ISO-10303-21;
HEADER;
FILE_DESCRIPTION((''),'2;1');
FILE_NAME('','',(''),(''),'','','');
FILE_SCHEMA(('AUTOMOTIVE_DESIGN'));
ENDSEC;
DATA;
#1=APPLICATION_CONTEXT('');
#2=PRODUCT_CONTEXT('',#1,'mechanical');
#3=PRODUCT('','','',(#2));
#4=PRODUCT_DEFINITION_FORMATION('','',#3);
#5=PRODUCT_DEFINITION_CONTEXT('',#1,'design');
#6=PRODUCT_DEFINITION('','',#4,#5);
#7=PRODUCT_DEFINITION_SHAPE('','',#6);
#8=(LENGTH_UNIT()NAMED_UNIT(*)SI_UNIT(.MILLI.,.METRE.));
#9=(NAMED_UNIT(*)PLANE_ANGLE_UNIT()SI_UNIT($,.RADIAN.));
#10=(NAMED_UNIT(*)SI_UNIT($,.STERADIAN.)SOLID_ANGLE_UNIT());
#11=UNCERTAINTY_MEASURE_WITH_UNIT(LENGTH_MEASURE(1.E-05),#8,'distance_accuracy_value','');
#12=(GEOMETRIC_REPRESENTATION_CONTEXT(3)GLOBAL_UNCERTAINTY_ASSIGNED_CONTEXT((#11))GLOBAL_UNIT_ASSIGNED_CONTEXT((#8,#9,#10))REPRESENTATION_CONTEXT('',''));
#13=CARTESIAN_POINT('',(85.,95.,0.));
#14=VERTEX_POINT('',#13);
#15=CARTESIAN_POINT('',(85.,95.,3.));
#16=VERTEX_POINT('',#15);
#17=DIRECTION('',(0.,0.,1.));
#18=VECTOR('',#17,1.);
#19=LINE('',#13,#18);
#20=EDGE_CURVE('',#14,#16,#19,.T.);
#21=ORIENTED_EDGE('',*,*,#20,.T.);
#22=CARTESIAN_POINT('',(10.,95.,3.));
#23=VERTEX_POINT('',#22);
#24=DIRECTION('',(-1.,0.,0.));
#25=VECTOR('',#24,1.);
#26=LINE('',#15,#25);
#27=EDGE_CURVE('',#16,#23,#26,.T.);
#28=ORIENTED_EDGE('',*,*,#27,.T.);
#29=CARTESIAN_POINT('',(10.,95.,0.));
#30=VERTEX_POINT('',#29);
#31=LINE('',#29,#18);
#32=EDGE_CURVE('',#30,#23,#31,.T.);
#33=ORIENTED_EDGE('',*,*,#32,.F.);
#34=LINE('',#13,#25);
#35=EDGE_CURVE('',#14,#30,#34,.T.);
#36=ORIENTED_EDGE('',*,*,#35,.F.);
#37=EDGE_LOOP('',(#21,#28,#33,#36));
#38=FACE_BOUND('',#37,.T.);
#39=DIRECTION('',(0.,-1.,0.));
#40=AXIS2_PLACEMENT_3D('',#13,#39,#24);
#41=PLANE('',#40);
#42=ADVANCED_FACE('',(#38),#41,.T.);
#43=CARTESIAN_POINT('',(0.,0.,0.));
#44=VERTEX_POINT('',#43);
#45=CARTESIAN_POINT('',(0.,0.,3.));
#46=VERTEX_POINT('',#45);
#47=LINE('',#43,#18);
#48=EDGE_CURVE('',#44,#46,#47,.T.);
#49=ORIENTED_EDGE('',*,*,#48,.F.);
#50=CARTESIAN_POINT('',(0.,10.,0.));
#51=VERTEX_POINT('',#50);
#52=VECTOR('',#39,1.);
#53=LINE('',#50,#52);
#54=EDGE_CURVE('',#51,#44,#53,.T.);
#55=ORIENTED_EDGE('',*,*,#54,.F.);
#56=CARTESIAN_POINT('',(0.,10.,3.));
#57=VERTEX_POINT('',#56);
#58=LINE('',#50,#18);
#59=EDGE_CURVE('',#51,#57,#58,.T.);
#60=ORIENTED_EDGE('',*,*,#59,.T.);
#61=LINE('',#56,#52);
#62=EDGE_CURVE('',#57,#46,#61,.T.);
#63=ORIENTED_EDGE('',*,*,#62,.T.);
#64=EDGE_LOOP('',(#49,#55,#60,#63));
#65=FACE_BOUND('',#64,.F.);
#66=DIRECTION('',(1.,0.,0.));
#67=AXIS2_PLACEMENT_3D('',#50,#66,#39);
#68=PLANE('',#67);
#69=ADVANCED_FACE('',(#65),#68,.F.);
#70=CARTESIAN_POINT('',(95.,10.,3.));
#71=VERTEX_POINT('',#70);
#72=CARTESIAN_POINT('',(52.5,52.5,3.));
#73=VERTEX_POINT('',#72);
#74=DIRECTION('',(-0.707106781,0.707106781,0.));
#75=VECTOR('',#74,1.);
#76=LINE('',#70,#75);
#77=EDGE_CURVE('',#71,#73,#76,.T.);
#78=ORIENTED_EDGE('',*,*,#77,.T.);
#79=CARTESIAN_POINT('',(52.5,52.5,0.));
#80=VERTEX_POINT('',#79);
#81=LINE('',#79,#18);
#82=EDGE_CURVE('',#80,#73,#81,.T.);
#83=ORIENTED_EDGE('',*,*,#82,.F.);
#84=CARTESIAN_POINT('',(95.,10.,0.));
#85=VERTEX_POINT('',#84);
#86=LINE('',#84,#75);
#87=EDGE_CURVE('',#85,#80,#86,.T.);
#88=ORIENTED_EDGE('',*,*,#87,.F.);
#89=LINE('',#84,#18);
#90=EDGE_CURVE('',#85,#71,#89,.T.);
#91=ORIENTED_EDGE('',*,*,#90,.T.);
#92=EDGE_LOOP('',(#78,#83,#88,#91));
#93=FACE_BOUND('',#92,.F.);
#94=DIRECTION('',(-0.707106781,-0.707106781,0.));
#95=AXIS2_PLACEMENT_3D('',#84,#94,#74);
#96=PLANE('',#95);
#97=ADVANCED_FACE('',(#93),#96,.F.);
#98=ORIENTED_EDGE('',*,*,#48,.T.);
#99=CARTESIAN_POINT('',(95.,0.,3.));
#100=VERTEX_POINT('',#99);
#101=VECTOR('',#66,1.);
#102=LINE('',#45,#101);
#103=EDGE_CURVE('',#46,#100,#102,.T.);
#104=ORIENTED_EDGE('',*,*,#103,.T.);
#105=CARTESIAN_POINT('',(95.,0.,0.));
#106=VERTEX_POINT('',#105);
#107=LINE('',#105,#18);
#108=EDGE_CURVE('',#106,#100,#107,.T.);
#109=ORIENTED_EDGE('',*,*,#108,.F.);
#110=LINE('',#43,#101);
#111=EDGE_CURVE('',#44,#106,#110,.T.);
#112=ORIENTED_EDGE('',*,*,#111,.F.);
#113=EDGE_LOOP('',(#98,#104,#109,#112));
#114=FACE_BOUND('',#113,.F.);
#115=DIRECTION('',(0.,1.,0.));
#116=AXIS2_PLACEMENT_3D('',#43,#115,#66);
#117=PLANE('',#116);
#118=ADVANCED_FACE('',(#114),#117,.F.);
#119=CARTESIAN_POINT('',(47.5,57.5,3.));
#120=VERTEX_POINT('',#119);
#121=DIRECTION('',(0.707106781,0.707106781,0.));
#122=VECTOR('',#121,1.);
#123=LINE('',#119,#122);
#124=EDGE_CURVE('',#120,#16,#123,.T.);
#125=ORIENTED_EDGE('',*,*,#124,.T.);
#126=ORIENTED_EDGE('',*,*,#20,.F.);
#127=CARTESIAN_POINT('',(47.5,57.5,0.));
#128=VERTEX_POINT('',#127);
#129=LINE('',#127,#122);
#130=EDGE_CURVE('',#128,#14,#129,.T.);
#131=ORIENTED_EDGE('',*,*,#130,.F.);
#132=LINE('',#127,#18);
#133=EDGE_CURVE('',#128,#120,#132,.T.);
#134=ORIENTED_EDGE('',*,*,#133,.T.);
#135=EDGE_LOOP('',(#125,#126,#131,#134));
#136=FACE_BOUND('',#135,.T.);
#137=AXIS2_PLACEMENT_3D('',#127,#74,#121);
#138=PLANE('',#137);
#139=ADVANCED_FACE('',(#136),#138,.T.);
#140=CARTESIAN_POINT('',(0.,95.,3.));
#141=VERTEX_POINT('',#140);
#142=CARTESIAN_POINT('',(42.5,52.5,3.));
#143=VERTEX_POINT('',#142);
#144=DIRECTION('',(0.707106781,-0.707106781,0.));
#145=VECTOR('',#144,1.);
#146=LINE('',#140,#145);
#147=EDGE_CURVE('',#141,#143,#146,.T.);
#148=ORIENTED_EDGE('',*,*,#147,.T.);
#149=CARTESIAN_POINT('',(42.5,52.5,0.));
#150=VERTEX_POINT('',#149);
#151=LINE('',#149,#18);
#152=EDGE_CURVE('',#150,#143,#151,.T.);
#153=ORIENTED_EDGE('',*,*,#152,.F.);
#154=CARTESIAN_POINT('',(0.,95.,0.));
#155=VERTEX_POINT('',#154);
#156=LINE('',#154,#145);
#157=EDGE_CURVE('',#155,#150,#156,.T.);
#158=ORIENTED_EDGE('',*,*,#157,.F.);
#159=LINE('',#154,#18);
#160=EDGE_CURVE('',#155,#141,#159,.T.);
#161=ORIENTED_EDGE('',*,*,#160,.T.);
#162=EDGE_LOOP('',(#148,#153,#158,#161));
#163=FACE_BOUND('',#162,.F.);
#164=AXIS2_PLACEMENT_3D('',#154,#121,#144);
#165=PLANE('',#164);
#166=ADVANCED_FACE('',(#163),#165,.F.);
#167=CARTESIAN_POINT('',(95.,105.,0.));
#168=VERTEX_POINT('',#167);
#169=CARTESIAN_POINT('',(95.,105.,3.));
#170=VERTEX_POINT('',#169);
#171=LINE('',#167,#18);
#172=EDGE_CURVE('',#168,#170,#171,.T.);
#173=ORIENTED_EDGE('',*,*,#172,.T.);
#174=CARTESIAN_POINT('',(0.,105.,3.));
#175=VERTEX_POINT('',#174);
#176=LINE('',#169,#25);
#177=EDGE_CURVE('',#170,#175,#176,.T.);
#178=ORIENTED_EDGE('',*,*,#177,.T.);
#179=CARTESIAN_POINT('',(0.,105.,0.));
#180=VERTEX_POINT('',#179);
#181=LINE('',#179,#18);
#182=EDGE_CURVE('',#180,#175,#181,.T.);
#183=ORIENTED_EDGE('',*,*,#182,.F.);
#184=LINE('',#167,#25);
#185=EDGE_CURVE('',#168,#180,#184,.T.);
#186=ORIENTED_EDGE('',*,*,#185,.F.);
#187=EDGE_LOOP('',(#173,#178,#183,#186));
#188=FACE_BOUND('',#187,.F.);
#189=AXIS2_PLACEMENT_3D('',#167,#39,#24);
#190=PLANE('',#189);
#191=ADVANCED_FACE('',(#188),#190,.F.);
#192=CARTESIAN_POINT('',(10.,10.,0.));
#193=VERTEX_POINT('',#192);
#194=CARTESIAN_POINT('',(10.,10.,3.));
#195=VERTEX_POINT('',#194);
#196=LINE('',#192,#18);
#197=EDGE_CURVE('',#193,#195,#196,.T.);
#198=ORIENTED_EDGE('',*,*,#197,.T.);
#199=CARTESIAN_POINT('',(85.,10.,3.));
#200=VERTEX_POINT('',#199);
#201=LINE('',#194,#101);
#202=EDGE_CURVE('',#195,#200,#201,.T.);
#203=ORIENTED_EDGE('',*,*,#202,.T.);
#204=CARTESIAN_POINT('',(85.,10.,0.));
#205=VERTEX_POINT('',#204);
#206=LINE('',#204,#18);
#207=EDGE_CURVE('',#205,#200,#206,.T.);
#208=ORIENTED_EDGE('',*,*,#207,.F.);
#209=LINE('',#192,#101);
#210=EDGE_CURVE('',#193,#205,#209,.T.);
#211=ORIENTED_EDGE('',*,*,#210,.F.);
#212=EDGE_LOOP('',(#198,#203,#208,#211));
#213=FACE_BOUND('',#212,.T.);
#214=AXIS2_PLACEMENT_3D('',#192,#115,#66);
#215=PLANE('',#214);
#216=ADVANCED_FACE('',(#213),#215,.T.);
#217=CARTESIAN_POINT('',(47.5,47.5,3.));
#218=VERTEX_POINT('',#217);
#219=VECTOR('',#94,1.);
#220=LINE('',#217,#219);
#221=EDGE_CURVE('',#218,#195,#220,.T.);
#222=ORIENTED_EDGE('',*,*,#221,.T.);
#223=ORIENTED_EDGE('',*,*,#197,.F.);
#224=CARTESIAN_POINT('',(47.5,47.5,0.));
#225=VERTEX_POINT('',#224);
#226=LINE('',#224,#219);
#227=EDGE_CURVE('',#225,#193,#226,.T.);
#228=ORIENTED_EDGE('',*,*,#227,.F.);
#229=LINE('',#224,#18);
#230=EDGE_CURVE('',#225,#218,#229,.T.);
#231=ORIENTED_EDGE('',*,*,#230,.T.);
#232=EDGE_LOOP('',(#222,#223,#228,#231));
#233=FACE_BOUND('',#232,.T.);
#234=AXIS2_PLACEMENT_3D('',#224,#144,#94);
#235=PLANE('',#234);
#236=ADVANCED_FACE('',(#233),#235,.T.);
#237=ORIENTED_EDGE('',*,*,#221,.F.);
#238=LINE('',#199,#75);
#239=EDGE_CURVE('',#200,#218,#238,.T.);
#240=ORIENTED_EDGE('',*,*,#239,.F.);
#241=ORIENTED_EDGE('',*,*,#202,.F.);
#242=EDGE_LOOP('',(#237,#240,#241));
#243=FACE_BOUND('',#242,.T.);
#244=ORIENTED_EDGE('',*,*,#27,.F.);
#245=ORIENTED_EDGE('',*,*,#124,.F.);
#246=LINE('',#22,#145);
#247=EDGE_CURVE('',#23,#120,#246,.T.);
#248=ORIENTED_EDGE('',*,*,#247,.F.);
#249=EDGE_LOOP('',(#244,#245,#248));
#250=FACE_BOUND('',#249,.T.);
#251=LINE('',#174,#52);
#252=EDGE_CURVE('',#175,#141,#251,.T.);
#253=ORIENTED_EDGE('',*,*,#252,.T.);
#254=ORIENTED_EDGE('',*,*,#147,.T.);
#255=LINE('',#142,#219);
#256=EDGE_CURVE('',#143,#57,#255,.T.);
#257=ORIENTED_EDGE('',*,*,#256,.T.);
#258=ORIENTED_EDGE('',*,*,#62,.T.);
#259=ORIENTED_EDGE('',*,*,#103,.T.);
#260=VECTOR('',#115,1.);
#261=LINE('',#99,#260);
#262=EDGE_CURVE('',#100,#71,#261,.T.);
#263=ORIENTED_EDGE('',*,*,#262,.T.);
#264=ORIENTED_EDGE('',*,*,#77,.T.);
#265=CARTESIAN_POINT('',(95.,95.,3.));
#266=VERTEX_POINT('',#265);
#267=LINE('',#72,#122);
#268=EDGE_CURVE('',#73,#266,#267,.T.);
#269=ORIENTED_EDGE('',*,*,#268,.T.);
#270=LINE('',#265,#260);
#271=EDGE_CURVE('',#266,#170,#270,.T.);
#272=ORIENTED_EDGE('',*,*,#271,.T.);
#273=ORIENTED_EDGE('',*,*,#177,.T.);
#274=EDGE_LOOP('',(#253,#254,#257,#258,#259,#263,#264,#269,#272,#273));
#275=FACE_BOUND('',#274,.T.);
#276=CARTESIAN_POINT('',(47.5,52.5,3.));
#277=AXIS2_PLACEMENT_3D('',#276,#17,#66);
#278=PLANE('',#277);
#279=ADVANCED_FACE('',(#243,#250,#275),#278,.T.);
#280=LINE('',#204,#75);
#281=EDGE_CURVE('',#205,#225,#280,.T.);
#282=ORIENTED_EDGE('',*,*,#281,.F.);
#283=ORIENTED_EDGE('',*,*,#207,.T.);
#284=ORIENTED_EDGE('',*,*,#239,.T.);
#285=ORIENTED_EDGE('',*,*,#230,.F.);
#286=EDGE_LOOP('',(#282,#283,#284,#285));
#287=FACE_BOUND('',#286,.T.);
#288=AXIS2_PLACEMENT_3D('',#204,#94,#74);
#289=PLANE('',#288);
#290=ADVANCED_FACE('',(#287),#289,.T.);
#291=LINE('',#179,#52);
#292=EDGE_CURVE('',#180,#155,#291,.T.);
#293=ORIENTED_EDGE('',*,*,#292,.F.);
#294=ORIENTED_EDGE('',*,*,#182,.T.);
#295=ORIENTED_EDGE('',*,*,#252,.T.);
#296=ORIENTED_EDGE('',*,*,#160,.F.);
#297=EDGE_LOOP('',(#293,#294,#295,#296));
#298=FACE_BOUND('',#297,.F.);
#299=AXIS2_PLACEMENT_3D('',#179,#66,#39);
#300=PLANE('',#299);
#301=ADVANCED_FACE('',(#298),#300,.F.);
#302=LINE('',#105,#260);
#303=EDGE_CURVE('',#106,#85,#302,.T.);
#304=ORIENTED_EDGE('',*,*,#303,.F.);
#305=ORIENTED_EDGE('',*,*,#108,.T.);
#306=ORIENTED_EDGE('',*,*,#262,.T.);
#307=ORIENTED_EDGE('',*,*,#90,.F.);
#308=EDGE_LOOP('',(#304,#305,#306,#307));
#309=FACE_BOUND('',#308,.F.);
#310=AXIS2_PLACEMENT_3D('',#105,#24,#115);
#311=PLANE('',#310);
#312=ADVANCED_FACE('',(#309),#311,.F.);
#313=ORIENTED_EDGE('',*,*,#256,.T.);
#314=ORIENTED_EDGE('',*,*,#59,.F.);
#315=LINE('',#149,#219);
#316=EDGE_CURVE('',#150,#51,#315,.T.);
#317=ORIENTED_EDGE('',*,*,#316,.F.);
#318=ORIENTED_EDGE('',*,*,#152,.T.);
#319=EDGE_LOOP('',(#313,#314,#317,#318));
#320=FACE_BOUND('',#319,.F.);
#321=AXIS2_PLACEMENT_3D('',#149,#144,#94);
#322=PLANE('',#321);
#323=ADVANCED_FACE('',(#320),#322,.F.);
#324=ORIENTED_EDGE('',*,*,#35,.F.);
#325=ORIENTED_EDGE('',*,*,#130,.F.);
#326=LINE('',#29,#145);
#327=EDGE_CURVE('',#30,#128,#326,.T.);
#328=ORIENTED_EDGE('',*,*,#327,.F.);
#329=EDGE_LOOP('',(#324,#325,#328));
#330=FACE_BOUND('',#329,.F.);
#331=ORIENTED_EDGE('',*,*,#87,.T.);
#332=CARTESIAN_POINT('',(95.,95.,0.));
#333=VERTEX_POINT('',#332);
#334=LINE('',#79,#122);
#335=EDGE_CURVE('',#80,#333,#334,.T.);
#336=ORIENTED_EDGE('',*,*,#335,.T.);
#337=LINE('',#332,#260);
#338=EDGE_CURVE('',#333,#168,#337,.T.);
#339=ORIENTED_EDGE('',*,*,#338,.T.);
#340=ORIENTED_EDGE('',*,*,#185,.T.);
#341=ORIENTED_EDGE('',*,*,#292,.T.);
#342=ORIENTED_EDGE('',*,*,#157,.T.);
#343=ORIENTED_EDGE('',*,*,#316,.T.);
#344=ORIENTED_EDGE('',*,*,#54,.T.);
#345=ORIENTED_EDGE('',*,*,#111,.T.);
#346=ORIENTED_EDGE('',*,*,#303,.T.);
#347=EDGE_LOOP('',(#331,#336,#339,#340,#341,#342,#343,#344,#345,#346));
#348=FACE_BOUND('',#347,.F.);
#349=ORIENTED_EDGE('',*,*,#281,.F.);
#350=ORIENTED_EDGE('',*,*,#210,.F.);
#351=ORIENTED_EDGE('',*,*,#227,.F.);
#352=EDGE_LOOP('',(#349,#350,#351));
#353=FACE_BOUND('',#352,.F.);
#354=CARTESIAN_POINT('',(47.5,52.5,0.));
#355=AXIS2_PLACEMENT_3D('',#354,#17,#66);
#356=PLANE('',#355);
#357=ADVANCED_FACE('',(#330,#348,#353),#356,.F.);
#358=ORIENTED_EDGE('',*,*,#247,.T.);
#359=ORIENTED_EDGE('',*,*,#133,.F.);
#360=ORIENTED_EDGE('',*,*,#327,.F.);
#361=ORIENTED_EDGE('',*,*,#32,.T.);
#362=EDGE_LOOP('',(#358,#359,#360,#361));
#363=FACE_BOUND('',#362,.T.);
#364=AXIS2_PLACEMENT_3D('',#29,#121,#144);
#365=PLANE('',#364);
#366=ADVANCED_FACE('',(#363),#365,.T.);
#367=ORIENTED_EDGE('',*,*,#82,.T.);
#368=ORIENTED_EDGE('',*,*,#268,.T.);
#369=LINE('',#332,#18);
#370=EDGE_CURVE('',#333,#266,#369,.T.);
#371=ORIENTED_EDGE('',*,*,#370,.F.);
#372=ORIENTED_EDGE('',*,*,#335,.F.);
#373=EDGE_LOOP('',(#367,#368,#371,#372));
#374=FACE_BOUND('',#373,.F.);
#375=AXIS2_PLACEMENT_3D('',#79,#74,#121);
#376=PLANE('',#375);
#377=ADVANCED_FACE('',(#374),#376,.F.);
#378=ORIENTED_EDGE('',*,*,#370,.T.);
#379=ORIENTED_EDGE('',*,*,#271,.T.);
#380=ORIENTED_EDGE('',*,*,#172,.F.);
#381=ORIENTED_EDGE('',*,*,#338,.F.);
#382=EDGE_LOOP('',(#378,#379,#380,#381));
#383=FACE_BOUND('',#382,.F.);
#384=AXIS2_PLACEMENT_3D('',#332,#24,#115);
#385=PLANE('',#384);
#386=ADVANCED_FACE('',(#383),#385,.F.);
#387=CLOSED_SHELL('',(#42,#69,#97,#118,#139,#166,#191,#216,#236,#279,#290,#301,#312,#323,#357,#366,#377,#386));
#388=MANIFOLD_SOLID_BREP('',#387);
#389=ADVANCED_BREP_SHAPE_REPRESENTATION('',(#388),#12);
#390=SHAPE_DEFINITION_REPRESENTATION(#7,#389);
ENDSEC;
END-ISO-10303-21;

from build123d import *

# Parameters (mm, degrees)
PAD_DEPTH = 3


with BuildPart() as part:
    # Sketch → Pad (new body)
    with BuildSketch(Plane.XY):
        Polygon((0, 0), (95, 0), (95, 10), (52.5, 52.5), (95, 95), (95, 105), (0, 105), (0, 95), (42.5, 52.5), (0, 10), align=None)
        Polygon((85, 95), (10, 95), (47.5, 57.5), align=None, mode=Mode.SUBTRACT)
        Polygon((10, 10), (85, 10), (47.5, 47.5), align=None, mode=Mode.SUBTRACT)
    extrude(amount=PAD_DEPTH)


solid = part.part
